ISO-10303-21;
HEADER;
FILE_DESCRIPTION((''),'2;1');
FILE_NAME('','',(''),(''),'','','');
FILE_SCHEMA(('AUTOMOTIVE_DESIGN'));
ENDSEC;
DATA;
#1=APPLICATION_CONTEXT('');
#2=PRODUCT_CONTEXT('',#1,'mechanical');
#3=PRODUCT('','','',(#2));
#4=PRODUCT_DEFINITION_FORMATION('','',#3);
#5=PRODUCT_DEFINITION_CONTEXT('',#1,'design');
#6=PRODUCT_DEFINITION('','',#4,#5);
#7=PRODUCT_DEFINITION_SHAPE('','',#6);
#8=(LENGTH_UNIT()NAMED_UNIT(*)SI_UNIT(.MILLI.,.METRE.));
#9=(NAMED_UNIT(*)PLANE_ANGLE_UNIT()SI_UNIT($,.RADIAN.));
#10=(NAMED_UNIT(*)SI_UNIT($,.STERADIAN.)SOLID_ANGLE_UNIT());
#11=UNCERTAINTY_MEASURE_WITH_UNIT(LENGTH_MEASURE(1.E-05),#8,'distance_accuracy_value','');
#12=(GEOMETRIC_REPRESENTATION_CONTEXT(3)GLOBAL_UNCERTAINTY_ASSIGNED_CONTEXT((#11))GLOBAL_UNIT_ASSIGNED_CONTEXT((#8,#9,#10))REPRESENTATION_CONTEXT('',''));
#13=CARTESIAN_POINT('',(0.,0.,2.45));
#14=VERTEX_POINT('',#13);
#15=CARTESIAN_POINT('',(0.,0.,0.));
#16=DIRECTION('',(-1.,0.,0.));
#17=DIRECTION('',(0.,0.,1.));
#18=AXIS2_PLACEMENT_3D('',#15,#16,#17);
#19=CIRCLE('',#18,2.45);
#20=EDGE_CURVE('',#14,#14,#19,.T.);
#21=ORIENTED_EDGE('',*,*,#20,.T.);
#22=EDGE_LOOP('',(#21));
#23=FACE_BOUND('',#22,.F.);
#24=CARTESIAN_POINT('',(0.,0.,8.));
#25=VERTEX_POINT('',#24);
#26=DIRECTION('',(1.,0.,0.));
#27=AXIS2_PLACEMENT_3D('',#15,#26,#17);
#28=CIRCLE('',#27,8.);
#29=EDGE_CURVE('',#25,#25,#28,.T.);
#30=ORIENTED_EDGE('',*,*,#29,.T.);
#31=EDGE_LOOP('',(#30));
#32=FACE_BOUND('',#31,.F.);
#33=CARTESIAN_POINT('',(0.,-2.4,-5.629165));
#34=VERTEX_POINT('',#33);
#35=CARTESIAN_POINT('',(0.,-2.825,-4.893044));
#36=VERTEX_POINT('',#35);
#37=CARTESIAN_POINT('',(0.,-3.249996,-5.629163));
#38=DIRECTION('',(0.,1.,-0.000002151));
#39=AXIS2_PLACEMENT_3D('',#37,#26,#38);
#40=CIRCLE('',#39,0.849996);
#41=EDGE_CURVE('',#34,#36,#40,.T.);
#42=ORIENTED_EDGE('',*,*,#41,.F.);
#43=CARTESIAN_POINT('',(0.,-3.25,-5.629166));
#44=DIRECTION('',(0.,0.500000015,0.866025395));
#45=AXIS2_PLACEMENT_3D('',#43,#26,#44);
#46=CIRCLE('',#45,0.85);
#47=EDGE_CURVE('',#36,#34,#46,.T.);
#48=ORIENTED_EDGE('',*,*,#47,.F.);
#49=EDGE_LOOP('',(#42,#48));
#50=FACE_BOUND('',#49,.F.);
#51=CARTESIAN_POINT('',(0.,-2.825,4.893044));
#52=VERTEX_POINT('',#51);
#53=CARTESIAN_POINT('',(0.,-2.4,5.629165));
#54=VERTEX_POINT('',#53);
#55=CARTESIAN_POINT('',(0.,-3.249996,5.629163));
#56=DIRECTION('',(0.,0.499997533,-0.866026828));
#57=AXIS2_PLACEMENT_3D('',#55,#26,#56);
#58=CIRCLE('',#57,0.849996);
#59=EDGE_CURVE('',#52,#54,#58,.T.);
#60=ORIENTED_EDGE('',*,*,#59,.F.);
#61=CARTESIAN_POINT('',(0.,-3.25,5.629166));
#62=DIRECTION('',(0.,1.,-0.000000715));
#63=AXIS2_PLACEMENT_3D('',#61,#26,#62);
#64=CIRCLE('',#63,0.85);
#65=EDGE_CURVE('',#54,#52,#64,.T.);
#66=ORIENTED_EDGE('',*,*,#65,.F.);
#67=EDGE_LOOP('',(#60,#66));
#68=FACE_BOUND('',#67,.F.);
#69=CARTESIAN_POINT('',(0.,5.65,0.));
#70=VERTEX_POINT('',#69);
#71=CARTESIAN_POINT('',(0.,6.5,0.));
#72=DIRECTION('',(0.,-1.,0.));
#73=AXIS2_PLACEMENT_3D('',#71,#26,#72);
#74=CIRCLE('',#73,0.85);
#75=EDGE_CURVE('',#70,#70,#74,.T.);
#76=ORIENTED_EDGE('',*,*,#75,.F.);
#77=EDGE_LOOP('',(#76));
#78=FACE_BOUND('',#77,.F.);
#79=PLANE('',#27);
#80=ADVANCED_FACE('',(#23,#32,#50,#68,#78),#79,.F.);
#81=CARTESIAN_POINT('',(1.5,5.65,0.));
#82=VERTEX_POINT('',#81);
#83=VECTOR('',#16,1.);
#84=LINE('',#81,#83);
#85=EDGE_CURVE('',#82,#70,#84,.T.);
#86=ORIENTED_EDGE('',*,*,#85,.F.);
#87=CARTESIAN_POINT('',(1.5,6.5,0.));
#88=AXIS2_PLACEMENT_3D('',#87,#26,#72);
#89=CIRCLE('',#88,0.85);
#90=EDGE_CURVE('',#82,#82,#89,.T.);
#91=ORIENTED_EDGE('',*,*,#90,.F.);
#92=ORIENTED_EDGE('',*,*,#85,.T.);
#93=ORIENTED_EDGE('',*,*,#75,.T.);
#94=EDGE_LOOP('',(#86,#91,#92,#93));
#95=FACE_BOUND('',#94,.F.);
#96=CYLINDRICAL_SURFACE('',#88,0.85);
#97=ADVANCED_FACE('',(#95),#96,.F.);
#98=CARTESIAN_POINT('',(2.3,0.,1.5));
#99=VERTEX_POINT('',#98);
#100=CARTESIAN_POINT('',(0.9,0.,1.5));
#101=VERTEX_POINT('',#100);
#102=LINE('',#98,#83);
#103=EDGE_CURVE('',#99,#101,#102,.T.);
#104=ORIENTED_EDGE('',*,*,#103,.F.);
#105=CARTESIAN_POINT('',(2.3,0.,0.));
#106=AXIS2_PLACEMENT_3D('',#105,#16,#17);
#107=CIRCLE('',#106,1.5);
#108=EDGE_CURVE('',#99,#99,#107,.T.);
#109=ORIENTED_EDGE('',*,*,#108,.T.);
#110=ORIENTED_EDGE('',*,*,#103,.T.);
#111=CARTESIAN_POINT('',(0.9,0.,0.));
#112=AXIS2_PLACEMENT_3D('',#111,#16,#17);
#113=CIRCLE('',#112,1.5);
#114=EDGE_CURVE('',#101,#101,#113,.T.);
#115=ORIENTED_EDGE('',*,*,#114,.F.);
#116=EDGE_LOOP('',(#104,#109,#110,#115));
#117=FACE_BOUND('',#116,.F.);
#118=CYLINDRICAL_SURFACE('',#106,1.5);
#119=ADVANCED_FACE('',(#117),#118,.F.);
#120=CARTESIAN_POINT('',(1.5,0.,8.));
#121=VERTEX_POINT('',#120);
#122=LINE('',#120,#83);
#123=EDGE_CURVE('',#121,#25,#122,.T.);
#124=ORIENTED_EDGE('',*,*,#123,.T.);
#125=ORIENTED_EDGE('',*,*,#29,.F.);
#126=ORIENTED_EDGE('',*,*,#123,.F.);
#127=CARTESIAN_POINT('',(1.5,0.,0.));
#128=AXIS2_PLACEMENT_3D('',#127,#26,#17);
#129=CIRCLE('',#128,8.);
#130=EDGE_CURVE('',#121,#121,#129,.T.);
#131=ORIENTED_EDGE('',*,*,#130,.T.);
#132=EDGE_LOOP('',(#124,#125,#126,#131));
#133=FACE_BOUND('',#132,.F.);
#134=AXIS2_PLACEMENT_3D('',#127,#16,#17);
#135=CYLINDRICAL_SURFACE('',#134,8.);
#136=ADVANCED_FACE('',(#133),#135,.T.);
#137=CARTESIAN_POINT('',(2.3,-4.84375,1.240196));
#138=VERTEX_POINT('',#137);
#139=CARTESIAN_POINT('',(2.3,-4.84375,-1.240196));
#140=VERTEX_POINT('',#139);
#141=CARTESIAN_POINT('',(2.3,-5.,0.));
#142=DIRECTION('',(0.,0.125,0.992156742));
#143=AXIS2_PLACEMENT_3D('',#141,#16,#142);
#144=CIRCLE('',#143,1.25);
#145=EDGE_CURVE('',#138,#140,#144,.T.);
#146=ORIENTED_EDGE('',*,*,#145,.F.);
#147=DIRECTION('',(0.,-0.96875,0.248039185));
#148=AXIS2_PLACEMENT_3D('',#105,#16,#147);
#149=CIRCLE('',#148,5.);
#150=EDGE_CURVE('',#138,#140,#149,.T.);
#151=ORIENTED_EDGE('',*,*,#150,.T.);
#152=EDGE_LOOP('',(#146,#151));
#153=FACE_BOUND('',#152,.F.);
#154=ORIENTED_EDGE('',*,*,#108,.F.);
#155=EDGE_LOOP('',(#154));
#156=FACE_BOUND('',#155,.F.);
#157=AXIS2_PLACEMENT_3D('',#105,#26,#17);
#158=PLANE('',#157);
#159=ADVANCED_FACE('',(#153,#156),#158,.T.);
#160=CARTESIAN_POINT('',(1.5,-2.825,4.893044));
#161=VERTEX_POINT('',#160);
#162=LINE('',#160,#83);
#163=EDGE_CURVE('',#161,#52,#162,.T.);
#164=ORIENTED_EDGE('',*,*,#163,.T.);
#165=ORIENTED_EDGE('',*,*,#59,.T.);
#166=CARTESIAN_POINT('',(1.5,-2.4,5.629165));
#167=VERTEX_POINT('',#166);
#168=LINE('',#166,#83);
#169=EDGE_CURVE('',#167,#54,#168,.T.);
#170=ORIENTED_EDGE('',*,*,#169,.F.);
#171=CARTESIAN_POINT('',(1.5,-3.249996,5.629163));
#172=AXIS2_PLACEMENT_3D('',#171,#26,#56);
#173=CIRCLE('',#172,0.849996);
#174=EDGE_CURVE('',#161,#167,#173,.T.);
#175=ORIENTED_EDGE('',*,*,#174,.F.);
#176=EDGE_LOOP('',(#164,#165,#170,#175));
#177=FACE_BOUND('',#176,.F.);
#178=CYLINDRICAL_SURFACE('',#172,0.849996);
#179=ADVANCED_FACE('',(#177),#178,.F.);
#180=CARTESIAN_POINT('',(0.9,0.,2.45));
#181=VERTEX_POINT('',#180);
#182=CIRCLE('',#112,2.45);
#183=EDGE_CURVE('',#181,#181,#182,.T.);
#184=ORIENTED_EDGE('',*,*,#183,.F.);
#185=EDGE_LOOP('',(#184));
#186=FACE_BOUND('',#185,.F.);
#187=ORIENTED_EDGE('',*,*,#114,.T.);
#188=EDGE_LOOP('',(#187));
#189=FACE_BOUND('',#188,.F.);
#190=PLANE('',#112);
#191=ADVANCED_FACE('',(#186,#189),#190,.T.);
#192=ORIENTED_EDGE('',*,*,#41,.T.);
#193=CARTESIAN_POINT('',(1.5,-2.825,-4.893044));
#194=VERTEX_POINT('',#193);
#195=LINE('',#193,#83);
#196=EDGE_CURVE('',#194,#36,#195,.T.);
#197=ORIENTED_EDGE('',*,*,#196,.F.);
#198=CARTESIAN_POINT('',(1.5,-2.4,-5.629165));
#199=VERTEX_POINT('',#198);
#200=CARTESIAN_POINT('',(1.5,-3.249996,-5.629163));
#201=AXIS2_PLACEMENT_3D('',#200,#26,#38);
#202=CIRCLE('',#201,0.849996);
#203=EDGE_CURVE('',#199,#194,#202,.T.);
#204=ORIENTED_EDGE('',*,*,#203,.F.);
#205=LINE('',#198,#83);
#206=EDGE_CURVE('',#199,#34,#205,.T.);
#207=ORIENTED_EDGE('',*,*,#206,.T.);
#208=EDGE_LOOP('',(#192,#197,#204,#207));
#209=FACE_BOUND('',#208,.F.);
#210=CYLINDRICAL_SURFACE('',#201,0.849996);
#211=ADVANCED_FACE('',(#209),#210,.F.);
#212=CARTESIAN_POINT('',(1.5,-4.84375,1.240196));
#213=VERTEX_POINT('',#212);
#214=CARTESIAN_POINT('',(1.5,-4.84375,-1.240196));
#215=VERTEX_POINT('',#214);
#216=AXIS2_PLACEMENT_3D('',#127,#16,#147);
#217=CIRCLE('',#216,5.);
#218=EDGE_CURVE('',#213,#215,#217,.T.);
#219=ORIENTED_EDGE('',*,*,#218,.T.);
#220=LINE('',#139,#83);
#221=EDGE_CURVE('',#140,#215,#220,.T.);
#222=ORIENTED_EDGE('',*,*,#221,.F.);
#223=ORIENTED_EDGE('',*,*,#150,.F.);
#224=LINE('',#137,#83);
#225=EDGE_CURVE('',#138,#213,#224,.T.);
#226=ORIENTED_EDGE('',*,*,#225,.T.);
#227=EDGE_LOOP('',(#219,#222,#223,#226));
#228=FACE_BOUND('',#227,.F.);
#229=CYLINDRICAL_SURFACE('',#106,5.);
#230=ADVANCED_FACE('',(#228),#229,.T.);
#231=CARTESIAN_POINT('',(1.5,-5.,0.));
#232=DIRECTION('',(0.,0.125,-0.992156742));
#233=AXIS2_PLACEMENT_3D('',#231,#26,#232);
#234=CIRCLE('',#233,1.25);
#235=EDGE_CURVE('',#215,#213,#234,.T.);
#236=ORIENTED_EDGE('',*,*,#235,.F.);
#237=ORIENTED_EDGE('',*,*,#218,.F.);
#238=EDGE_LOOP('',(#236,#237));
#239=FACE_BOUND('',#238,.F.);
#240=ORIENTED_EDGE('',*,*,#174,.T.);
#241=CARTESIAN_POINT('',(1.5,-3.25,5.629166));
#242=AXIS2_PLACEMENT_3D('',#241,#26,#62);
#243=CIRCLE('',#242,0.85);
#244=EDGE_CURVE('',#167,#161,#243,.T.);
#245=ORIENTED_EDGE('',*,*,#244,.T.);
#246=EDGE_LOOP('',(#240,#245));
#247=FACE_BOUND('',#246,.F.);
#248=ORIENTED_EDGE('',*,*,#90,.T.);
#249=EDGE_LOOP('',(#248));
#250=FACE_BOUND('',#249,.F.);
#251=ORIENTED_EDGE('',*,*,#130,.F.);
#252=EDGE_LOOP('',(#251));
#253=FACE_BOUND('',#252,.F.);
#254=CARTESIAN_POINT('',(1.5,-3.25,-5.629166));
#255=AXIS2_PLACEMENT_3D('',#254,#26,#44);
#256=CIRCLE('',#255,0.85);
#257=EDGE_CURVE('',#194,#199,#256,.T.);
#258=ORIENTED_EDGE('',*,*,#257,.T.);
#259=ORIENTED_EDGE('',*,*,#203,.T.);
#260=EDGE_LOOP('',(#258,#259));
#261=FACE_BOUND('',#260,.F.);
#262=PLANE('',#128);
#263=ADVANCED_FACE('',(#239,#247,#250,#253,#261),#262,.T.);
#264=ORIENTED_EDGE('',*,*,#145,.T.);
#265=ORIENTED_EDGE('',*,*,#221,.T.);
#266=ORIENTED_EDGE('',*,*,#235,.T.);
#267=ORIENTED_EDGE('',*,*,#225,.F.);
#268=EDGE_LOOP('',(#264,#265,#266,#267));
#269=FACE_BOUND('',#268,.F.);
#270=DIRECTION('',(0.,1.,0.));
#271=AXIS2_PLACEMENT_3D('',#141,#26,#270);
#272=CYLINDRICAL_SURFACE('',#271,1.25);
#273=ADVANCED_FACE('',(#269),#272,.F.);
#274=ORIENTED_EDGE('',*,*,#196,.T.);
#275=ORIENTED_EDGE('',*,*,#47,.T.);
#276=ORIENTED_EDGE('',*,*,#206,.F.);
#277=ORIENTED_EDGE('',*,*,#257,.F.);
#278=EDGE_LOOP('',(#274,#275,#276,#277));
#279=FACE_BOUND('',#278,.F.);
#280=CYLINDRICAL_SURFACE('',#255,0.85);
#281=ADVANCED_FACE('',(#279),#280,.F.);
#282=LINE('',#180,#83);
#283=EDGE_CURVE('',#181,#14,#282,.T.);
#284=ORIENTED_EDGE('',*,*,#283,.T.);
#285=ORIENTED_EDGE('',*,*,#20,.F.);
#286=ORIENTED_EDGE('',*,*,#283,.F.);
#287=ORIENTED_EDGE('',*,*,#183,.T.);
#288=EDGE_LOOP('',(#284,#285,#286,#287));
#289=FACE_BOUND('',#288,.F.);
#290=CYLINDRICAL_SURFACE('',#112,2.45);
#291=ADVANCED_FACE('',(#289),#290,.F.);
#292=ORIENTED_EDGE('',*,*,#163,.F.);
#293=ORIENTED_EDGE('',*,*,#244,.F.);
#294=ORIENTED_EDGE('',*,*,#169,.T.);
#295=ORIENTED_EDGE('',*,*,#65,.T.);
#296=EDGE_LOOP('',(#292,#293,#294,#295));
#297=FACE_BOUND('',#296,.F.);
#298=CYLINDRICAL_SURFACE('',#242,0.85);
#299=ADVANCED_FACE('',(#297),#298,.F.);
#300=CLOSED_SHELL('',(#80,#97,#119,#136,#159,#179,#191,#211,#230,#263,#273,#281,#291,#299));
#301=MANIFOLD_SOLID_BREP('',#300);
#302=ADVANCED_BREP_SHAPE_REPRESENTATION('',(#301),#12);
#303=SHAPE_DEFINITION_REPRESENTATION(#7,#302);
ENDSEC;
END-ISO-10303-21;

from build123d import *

# Parameters (mm, degrees)
F5_DEPTH = 1.501
F6_R     = 1.25
F7_DEPTH = 0.8


with BuildPart() as f1:
    # F0 (on Front) → F1 (revolve)
    with BuildSketch(Plane.XZ):
        Polygon((0, 8), (0, 0), (2.3, 0), (2.3, 5), (1.5, 5), (1.5, 8), align=None)
    revolve(axis=Axis((1.15, 0, 0), (1, 0, 0)))

    # F2 (on Front) → F3 (revolve, cut)
    with BuildSketch(Plane.XZ):
        Polygon((0, 2.45), (0, 0), (2.3, 0), (2.3, 1.5), (0.9, 1.5), (0.9, 2.45), align=None)
    revolve(axis=Axis((1.15, 0, 0), (-1, 0, 0)), mode=Mode.SUBTRACT)

    # F4 (on face) → F5 (cut, through all)
    with BuildSketch(Plane.YZ.offset(1.5)):
        with BuildLine():
            ThreePointArc((7.35, 0), (6.5, 0.85), (5.65, 0))
            ThreePointArc((5.65, 0), (6.5, -0.85), (7.35, 0))
        make_face()
        with BuildLine():
            ThreePointArc((-2.4, -5.629165), (-2.513878, -5.204165), (-2.825, -4.893044))
            ThreePointArc((-2.825, -4.893044), (-3.986122, -6.054165), (-2.4, -5.629165))
        make_face()
        with BuildLine():
            ThreePointArc((-2.4, 5.629165), (-3.986122, 6.054165), (-2.825, 4.893044))
            ThreePointArc((-2.825, 4.893044), (-2.513878, 5.204165), (-2.4, 5.629165))
        make_face()
    extrude(amount=-F5_DEPTH, mode=Mode.SUBTRACT)

    # F6 (on face) → F7 (cut, through all)
    with BuildSketch(Plane.YZ.offset(2.3)):
        with Locations((-5, 0)):
            Circle(F6_R)
    extrude(amount=-F7_DEPTH, mode=Mode.SUBTRACT)


solid = f1.part
